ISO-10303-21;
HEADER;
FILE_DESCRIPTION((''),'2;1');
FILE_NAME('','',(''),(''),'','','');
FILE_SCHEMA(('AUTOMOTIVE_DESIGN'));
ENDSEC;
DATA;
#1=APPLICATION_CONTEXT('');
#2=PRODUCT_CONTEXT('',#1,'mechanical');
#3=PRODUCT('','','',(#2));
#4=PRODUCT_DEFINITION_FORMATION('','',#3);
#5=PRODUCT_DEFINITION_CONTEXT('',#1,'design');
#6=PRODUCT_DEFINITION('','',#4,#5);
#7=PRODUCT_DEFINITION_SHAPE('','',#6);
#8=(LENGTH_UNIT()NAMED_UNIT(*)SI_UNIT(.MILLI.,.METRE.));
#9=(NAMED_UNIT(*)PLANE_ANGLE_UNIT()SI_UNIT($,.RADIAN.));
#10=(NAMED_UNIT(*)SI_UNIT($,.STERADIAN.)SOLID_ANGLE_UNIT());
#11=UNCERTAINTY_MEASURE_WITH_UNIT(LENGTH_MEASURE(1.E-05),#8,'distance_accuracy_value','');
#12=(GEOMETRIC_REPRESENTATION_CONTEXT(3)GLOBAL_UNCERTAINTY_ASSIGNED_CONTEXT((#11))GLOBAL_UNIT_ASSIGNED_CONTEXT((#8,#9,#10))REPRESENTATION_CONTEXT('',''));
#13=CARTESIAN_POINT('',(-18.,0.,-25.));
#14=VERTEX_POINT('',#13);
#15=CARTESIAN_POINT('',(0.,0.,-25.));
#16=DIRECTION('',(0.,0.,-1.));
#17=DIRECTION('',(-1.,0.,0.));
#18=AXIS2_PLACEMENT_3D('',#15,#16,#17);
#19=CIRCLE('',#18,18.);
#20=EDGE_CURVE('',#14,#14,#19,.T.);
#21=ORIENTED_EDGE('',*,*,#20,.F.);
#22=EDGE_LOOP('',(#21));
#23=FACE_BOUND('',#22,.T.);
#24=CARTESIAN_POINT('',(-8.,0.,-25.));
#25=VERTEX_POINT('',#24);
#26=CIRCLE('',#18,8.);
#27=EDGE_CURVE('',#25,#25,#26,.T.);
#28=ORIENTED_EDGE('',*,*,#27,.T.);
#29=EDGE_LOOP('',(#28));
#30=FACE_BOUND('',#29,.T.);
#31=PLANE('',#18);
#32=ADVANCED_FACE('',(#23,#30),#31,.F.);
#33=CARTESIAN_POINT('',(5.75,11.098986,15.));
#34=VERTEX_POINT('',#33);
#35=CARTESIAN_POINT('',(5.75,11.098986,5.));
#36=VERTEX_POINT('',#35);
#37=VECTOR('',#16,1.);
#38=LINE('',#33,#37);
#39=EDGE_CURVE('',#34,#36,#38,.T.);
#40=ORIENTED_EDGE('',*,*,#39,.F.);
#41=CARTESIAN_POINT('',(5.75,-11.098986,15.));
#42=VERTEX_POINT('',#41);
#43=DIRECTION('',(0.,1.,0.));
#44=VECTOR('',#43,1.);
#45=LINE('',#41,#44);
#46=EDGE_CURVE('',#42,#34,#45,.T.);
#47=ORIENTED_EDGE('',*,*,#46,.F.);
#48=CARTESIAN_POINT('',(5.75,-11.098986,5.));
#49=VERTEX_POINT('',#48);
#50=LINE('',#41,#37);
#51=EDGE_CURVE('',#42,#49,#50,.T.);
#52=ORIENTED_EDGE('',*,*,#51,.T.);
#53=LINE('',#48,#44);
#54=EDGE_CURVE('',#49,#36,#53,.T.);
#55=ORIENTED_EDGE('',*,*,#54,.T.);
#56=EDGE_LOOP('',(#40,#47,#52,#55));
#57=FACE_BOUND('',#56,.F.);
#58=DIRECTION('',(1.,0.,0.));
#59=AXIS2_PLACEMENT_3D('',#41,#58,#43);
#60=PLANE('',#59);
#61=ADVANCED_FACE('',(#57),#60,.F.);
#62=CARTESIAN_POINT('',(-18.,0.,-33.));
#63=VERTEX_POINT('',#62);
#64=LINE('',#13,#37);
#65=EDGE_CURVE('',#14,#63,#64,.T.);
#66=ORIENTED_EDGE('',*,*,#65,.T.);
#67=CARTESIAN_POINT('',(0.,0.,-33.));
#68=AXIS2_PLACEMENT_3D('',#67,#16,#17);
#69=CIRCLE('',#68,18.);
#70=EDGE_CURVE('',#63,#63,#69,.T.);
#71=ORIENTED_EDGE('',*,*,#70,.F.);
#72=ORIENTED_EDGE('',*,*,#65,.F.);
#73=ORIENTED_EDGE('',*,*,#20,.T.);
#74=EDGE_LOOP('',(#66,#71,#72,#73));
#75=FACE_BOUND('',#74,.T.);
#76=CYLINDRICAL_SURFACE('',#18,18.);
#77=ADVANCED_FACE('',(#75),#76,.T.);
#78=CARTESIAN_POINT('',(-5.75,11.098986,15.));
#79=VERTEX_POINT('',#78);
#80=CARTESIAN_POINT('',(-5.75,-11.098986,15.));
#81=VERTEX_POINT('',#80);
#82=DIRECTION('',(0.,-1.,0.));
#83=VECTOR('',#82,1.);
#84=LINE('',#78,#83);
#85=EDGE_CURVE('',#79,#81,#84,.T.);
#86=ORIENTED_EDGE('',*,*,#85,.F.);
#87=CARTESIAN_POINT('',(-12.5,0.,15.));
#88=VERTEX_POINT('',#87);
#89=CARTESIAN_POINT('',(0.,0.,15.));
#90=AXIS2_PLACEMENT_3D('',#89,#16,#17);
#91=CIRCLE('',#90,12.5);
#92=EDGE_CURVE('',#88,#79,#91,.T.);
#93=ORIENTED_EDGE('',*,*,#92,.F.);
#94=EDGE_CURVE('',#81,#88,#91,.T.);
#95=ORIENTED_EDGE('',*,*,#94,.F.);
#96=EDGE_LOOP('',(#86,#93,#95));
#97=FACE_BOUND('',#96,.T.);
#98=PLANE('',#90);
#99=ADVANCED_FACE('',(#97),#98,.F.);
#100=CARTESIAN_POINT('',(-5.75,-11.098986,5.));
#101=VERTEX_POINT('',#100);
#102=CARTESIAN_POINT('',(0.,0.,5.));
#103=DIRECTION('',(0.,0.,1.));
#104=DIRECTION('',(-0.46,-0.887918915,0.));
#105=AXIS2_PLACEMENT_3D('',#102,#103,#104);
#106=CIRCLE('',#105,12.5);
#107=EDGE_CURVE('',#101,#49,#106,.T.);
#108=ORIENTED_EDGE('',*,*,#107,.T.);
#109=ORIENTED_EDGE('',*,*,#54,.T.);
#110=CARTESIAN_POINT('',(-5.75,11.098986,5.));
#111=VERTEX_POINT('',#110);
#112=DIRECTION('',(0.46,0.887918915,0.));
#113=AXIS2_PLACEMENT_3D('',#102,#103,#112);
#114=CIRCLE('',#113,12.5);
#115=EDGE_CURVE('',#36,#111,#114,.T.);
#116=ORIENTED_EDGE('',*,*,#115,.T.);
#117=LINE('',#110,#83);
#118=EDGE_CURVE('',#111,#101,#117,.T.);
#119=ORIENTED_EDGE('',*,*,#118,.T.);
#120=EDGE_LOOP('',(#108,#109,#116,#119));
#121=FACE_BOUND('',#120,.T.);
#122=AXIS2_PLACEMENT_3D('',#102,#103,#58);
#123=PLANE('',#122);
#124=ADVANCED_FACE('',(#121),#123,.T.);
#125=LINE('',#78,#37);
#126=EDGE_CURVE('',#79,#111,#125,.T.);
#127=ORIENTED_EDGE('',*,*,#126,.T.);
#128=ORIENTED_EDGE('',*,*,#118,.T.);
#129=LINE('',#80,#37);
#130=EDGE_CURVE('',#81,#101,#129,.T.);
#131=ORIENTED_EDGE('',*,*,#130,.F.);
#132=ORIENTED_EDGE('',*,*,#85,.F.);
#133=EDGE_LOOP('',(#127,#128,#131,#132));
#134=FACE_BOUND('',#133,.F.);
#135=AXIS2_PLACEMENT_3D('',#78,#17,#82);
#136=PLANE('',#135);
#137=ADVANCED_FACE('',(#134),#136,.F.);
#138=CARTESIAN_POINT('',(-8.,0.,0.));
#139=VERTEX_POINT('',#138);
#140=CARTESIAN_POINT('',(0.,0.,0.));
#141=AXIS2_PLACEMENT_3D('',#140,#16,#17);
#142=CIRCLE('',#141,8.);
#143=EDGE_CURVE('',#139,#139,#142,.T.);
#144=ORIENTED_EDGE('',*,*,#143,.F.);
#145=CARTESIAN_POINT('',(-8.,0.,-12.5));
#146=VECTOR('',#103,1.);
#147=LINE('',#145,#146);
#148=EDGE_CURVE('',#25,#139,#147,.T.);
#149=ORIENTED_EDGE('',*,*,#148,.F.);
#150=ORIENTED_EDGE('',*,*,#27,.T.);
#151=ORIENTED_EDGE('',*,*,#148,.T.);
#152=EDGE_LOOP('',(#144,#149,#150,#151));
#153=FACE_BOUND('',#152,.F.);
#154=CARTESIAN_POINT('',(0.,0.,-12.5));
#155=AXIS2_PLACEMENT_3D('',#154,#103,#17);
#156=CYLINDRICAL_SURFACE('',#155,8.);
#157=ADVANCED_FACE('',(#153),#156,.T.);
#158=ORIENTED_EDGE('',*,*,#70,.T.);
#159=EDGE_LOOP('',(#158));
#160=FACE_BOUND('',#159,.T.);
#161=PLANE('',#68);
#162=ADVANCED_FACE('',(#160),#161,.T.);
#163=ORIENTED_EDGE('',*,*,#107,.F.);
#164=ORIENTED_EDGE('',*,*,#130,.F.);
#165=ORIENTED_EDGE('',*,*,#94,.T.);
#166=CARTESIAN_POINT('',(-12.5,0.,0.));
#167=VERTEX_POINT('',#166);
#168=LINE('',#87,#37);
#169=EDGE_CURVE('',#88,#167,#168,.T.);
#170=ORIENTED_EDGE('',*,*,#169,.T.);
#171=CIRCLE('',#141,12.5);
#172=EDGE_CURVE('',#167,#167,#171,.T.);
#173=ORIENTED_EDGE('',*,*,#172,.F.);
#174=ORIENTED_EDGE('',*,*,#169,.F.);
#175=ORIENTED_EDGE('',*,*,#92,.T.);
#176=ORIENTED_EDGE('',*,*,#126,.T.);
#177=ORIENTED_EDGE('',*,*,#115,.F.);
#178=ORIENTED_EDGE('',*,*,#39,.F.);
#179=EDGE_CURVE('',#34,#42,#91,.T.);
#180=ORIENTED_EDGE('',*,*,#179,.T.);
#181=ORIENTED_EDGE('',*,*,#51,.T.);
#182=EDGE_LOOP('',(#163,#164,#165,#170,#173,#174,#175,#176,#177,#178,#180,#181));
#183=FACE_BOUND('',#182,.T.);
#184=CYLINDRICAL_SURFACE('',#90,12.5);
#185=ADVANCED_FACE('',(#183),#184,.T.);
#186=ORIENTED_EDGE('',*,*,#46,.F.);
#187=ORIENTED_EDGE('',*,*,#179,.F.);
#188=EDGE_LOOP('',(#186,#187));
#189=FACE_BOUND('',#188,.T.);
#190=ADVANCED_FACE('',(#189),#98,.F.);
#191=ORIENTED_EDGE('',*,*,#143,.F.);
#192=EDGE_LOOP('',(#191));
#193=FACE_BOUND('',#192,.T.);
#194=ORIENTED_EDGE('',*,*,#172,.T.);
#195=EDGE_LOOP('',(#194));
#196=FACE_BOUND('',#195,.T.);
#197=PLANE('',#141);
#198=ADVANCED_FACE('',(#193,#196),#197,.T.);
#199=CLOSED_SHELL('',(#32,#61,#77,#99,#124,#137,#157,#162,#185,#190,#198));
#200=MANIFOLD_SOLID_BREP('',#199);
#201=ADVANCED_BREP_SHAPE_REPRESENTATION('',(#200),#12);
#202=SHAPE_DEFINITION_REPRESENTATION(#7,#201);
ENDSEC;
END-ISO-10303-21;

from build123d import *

# Parameters (mm, degrees)
F0_W     = 8
F0_H     = 25
F3_DEPTH = 10


with BuildPart() as f1:
    # F0 (on Front) → F1 (revolve)
    with BuildSketch(Plane.XZ):
        Polygon((-12.5, 0), (-8, 0), (0, 0), (0, 15), (-12.5, 15), align=None)
        with Locations((-4, -12.5)):
            Rectangle(F0_W, F0_H)
        Polygon((0, -25), (-8, -25), (-18, -25), (-18, -33), (0, -33), align=None)
    revolve(axis=Axis((0, 0, -11.281580478), (0, 0, -1)))

    # F2 (on face) → F3 (cut)
    with BuildSketch(Plane.XY.offset(15)):
        with BuildLine():
            ThreePointArc((5.75, 11.0989864402), (0, 12.5), (-5.75, 11.0989864402))
            Line((-5.75, 11.0989864402), (-5.75, -11.0989864402))
            ThreePointArc((-5.75, -11.0989864402), (0, -12.5), (5.75, -11.0989864402))
            Line((5.75, -11.0989864402), (5.75, 11.0989864402))
        make_face()
    extrude(amount=-F3_DEPTH, mode=Mode.SUBTRACT)


solid = f1.part
